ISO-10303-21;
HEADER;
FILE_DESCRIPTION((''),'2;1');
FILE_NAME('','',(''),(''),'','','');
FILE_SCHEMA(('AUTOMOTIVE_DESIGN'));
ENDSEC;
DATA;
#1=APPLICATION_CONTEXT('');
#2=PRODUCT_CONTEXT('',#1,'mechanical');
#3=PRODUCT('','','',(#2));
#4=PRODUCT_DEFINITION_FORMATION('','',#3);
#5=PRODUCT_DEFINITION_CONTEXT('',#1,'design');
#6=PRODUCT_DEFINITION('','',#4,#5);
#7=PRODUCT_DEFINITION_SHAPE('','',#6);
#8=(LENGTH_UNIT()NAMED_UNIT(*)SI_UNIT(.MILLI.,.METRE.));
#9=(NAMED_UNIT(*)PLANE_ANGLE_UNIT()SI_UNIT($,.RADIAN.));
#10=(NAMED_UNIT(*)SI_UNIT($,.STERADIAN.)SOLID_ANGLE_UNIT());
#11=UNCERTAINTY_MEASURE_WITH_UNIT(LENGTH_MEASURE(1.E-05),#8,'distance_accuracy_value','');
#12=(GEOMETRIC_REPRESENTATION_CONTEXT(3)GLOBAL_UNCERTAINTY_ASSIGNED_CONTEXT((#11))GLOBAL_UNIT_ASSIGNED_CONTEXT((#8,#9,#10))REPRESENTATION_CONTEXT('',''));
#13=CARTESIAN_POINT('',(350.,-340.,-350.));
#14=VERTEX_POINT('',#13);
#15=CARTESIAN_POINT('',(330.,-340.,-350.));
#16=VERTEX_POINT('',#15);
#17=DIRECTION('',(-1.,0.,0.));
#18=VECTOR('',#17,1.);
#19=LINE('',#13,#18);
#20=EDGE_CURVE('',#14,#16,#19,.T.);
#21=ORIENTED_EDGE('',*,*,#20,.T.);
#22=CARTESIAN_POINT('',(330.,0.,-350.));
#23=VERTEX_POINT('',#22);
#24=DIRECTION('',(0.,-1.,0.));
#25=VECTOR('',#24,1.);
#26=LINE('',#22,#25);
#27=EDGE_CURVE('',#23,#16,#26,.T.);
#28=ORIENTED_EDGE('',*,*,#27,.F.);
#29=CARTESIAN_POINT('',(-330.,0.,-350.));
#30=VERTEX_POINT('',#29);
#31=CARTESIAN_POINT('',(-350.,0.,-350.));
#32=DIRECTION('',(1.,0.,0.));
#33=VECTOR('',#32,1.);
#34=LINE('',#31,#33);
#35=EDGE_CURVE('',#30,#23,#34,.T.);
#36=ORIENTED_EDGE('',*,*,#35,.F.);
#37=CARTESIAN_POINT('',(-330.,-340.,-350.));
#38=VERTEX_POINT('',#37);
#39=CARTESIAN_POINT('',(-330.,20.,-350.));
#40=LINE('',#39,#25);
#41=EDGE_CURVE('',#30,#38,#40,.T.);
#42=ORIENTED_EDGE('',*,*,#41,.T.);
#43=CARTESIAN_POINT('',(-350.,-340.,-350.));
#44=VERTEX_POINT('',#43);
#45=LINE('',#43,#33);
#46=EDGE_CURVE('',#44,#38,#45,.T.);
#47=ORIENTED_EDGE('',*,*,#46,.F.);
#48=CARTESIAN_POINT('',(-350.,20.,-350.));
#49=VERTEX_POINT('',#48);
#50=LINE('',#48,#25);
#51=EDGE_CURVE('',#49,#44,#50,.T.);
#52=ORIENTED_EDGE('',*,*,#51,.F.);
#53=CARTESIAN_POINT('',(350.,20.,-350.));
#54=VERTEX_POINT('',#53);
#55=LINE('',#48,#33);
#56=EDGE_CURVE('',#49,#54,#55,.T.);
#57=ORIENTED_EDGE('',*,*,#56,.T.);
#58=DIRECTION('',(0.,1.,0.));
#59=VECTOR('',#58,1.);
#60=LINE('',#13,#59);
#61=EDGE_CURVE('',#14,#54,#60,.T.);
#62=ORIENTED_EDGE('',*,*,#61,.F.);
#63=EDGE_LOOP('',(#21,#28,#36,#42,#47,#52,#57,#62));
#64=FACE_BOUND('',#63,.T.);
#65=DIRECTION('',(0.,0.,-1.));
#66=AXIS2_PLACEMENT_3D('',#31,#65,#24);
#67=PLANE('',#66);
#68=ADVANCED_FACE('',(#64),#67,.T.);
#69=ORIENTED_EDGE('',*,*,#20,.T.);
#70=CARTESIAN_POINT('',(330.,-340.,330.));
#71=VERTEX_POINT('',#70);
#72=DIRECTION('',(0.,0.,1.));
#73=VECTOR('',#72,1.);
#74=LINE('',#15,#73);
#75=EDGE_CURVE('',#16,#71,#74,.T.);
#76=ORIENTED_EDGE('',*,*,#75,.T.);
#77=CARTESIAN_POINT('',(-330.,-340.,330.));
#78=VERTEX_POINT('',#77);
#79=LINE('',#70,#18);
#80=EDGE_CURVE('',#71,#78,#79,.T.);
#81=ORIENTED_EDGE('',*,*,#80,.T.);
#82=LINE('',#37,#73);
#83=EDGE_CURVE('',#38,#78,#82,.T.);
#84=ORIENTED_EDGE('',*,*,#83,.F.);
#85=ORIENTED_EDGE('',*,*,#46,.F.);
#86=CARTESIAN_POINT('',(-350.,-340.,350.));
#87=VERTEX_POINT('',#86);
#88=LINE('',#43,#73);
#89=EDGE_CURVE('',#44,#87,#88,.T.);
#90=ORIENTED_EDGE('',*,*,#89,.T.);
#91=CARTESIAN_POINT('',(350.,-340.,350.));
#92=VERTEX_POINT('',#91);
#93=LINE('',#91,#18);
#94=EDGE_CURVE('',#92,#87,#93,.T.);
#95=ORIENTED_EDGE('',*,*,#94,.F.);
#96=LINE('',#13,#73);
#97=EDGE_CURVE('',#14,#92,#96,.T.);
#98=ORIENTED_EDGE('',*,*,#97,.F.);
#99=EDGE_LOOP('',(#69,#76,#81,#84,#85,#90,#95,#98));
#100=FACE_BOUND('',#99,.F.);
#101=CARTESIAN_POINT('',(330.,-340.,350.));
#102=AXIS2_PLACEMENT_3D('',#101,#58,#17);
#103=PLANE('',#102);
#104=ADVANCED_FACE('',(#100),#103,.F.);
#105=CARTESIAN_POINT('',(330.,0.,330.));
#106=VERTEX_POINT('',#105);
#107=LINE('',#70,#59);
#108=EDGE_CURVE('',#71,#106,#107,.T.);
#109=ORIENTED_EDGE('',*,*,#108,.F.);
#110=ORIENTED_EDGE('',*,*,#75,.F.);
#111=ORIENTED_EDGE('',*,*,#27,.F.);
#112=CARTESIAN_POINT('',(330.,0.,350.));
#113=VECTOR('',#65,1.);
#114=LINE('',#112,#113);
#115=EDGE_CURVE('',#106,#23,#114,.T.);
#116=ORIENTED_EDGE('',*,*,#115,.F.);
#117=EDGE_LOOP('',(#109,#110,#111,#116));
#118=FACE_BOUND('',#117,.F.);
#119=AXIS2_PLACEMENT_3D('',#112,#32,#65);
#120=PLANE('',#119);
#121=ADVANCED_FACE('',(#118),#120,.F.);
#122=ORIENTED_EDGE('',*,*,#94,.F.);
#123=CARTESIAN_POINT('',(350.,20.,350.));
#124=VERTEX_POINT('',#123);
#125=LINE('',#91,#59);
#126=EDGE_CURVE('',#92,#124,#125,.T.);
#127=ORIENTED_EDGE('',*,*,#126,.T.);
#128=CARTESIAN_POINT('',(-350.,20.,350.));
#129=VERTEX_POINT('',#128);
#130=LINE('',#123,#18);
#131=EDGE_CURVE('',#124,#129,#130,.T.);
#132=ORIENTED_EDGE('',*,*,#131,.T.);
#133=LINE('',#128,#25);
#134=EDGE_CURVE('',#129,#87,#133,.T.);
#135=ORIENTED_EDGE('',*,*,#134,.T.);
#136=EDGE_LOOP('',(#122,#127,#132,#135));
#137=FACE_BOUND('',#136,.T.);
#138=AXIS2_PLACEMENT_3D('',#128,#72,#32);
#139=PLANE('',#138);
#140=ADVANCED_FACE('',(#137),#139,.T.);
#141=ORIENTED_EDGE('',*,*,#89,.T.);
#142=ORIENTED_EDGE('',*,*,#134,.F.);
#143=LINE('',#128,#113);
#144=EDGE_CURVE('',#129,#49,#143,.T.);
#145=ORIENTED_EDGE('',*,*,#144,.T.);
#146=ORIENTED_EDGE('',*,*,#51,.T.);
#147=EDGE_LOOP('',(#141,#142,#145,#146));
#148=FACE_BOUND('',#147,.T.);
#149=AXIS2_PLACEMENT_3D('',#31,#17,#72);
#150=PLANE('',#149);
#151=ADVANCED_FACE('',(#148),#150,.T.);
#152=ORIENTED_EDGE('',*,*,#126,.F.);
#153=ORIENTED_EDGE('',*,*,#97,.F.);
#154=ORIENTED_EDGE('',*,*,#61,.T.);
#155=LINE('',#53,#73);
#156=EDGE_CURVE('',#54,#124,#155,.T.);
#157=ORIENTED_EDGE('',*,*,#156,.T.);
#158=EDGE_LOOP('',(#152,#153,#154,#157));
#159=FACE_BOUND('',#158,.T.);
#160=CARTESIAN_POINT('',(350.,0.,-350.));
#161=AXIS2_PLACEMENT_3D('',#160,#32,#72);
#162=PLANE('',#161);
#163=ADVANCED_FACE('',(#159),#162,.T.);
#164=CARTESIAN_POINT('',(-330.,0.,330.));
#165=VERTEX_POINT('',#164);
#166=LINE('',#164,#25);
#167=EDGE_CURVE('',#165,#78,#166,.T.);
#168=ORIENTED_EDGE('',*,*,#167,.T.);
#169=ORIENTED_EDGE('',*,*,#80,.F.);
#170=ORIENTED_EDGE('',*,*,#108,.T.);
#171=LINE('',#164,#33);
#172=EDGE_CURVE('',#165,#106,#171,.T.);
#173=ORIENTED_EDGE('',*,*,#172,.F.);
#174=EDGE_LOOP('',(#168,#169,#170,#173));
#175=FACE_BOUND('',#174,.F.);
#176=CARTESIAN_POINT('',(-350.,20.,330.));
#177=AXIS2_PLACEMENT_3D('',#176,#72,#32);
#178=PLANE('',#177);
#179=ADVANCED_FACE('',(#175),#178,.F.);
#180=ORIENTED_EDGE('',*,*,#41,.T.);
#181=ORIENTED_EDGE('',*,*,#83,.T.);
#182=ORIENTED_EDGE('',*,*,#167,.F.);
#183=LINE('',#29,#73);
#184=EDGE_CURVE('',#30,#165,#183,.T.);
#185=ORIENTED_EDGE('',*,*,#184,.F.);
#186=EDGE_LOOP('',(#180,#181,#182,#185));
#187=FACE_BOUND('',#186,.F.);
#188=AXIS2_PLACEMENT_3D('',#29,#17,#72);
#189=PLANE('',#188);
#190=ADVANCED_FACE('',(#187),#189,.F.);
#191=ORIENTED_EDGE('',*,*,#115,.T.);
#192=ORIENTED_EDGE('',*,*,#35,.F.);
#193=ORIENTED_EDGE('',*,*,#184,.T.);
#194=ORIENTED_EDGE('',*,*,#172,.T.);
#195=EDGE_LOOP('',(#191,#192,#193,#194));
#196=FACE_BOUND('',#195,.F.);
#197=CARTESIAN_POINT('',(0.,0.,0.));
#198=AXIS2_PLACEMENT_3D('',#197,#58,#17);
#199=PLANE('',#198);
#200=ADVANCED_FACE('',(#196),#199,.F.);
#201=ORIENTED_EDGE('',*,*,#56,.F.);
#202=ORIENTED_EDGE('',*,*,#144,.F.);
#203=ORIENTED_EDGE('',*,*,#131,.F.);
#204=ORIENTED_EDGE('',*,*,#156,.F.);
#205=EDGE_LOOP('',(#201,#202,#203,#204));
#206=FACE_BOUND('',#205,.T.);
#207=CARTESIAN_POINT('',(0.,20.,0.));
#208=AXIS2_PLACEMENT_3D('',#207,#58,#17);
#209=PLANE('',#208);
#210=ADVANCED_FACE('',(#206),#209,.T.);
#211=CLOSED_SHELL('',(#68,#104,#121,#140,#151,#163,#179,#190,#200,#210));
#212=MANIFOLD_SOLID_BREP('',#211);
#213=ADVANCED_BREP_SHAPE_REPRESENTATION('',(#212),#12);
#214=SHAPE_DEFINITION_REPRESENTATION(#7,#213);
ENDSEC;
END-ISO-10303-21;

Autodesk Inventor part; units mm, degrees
ref_plane "YZ Plane" through (0, 0, 0) normal (1, 0, 0) x (0, 1, 0)
ref_plane "XZ Plane" through (0, 0, 0) normal (0, 1, 0) x (-1, 0, 0)
ref_plane "XY Plane" through (0, 0, 0) normal (0, 0, 1) x (1, 0, 0)
sketch "スケッチ1" plane through (0, 0, 0) normal (0, 1, 0) x (-1, 0, 0)
  line L0 (-350, 350) -> (350, 350)
  line L1 (350, 350) -> (350, -350)
  line L2 (350, -350) -> (-350, -350)
  line L3 (-350, -350) -> (-350, 350)
  line L4 (-350, 350) -> (350, -350) construction
  line L5 (350, 350) -> (-350, -350) construction
  point P0 (0, 0)
  dimension "d0" = 700
  dimension "d1" = 700
extrude "押し出し1" add sketch "スケッチ1" along normal blind 20
sketch "スケッチ2" plane through (350, 0, 350) normal (1, 0, 0) x (0, 0, -1)
  line L0 (0, 0) -> (0, 20) projected
  line L1 (0, 0) -> (700, 0)
  line L2 (700, 0) -> (700, -340)
  line L3 (700, -340) -> (0, -340)
  line L4 (0, -340) -> (0, 0)
  point P0 (350, 0)
  dimension "d4" = 700
  dimension "d5" = 340
extrude "押し出し2" add sketch "スケッチ2" against normal blind 20
sketch "スケッチ3" plane through (-350, 0, -350) normal (-1, 0, 0) x (0, 0, 1)
  line L0 (0, 20) -> (0, -340) projected
  line L1 (0, -340) -> (700, -340) projected
  line L2 (0, 0) -> (700, 0)
  line L3 (700, 0) -> (700, -340)
  line L4 (700, -340) -> (0, -340)
  line L5 (0, -340) -> (0, 0)
  point P0 (350, 0)
extrude "押し出し3" add sketch "スケッチ3" against normal blind 20
sketch "スケッチ4" plane through (-350, 20, 350) normal (0, 0, 1) x (1, 0, 0)
  line L0 (20, -20) -> (20, -360) projected
  line L1 (680, -360) -> (680, -20) projected
  line L2 (20, -20) -> (680, -20)
  line L3 (680, -20) -> (680, -360)
  line L4 (680, -360) -> (20, -360)
  line L5 (20, -360) -> (20, -20)
  point P0 (350, -20)
extrude "押し出し4" add sketch "スケッチ4" against normal blind 20
properties part number "こたつ"
